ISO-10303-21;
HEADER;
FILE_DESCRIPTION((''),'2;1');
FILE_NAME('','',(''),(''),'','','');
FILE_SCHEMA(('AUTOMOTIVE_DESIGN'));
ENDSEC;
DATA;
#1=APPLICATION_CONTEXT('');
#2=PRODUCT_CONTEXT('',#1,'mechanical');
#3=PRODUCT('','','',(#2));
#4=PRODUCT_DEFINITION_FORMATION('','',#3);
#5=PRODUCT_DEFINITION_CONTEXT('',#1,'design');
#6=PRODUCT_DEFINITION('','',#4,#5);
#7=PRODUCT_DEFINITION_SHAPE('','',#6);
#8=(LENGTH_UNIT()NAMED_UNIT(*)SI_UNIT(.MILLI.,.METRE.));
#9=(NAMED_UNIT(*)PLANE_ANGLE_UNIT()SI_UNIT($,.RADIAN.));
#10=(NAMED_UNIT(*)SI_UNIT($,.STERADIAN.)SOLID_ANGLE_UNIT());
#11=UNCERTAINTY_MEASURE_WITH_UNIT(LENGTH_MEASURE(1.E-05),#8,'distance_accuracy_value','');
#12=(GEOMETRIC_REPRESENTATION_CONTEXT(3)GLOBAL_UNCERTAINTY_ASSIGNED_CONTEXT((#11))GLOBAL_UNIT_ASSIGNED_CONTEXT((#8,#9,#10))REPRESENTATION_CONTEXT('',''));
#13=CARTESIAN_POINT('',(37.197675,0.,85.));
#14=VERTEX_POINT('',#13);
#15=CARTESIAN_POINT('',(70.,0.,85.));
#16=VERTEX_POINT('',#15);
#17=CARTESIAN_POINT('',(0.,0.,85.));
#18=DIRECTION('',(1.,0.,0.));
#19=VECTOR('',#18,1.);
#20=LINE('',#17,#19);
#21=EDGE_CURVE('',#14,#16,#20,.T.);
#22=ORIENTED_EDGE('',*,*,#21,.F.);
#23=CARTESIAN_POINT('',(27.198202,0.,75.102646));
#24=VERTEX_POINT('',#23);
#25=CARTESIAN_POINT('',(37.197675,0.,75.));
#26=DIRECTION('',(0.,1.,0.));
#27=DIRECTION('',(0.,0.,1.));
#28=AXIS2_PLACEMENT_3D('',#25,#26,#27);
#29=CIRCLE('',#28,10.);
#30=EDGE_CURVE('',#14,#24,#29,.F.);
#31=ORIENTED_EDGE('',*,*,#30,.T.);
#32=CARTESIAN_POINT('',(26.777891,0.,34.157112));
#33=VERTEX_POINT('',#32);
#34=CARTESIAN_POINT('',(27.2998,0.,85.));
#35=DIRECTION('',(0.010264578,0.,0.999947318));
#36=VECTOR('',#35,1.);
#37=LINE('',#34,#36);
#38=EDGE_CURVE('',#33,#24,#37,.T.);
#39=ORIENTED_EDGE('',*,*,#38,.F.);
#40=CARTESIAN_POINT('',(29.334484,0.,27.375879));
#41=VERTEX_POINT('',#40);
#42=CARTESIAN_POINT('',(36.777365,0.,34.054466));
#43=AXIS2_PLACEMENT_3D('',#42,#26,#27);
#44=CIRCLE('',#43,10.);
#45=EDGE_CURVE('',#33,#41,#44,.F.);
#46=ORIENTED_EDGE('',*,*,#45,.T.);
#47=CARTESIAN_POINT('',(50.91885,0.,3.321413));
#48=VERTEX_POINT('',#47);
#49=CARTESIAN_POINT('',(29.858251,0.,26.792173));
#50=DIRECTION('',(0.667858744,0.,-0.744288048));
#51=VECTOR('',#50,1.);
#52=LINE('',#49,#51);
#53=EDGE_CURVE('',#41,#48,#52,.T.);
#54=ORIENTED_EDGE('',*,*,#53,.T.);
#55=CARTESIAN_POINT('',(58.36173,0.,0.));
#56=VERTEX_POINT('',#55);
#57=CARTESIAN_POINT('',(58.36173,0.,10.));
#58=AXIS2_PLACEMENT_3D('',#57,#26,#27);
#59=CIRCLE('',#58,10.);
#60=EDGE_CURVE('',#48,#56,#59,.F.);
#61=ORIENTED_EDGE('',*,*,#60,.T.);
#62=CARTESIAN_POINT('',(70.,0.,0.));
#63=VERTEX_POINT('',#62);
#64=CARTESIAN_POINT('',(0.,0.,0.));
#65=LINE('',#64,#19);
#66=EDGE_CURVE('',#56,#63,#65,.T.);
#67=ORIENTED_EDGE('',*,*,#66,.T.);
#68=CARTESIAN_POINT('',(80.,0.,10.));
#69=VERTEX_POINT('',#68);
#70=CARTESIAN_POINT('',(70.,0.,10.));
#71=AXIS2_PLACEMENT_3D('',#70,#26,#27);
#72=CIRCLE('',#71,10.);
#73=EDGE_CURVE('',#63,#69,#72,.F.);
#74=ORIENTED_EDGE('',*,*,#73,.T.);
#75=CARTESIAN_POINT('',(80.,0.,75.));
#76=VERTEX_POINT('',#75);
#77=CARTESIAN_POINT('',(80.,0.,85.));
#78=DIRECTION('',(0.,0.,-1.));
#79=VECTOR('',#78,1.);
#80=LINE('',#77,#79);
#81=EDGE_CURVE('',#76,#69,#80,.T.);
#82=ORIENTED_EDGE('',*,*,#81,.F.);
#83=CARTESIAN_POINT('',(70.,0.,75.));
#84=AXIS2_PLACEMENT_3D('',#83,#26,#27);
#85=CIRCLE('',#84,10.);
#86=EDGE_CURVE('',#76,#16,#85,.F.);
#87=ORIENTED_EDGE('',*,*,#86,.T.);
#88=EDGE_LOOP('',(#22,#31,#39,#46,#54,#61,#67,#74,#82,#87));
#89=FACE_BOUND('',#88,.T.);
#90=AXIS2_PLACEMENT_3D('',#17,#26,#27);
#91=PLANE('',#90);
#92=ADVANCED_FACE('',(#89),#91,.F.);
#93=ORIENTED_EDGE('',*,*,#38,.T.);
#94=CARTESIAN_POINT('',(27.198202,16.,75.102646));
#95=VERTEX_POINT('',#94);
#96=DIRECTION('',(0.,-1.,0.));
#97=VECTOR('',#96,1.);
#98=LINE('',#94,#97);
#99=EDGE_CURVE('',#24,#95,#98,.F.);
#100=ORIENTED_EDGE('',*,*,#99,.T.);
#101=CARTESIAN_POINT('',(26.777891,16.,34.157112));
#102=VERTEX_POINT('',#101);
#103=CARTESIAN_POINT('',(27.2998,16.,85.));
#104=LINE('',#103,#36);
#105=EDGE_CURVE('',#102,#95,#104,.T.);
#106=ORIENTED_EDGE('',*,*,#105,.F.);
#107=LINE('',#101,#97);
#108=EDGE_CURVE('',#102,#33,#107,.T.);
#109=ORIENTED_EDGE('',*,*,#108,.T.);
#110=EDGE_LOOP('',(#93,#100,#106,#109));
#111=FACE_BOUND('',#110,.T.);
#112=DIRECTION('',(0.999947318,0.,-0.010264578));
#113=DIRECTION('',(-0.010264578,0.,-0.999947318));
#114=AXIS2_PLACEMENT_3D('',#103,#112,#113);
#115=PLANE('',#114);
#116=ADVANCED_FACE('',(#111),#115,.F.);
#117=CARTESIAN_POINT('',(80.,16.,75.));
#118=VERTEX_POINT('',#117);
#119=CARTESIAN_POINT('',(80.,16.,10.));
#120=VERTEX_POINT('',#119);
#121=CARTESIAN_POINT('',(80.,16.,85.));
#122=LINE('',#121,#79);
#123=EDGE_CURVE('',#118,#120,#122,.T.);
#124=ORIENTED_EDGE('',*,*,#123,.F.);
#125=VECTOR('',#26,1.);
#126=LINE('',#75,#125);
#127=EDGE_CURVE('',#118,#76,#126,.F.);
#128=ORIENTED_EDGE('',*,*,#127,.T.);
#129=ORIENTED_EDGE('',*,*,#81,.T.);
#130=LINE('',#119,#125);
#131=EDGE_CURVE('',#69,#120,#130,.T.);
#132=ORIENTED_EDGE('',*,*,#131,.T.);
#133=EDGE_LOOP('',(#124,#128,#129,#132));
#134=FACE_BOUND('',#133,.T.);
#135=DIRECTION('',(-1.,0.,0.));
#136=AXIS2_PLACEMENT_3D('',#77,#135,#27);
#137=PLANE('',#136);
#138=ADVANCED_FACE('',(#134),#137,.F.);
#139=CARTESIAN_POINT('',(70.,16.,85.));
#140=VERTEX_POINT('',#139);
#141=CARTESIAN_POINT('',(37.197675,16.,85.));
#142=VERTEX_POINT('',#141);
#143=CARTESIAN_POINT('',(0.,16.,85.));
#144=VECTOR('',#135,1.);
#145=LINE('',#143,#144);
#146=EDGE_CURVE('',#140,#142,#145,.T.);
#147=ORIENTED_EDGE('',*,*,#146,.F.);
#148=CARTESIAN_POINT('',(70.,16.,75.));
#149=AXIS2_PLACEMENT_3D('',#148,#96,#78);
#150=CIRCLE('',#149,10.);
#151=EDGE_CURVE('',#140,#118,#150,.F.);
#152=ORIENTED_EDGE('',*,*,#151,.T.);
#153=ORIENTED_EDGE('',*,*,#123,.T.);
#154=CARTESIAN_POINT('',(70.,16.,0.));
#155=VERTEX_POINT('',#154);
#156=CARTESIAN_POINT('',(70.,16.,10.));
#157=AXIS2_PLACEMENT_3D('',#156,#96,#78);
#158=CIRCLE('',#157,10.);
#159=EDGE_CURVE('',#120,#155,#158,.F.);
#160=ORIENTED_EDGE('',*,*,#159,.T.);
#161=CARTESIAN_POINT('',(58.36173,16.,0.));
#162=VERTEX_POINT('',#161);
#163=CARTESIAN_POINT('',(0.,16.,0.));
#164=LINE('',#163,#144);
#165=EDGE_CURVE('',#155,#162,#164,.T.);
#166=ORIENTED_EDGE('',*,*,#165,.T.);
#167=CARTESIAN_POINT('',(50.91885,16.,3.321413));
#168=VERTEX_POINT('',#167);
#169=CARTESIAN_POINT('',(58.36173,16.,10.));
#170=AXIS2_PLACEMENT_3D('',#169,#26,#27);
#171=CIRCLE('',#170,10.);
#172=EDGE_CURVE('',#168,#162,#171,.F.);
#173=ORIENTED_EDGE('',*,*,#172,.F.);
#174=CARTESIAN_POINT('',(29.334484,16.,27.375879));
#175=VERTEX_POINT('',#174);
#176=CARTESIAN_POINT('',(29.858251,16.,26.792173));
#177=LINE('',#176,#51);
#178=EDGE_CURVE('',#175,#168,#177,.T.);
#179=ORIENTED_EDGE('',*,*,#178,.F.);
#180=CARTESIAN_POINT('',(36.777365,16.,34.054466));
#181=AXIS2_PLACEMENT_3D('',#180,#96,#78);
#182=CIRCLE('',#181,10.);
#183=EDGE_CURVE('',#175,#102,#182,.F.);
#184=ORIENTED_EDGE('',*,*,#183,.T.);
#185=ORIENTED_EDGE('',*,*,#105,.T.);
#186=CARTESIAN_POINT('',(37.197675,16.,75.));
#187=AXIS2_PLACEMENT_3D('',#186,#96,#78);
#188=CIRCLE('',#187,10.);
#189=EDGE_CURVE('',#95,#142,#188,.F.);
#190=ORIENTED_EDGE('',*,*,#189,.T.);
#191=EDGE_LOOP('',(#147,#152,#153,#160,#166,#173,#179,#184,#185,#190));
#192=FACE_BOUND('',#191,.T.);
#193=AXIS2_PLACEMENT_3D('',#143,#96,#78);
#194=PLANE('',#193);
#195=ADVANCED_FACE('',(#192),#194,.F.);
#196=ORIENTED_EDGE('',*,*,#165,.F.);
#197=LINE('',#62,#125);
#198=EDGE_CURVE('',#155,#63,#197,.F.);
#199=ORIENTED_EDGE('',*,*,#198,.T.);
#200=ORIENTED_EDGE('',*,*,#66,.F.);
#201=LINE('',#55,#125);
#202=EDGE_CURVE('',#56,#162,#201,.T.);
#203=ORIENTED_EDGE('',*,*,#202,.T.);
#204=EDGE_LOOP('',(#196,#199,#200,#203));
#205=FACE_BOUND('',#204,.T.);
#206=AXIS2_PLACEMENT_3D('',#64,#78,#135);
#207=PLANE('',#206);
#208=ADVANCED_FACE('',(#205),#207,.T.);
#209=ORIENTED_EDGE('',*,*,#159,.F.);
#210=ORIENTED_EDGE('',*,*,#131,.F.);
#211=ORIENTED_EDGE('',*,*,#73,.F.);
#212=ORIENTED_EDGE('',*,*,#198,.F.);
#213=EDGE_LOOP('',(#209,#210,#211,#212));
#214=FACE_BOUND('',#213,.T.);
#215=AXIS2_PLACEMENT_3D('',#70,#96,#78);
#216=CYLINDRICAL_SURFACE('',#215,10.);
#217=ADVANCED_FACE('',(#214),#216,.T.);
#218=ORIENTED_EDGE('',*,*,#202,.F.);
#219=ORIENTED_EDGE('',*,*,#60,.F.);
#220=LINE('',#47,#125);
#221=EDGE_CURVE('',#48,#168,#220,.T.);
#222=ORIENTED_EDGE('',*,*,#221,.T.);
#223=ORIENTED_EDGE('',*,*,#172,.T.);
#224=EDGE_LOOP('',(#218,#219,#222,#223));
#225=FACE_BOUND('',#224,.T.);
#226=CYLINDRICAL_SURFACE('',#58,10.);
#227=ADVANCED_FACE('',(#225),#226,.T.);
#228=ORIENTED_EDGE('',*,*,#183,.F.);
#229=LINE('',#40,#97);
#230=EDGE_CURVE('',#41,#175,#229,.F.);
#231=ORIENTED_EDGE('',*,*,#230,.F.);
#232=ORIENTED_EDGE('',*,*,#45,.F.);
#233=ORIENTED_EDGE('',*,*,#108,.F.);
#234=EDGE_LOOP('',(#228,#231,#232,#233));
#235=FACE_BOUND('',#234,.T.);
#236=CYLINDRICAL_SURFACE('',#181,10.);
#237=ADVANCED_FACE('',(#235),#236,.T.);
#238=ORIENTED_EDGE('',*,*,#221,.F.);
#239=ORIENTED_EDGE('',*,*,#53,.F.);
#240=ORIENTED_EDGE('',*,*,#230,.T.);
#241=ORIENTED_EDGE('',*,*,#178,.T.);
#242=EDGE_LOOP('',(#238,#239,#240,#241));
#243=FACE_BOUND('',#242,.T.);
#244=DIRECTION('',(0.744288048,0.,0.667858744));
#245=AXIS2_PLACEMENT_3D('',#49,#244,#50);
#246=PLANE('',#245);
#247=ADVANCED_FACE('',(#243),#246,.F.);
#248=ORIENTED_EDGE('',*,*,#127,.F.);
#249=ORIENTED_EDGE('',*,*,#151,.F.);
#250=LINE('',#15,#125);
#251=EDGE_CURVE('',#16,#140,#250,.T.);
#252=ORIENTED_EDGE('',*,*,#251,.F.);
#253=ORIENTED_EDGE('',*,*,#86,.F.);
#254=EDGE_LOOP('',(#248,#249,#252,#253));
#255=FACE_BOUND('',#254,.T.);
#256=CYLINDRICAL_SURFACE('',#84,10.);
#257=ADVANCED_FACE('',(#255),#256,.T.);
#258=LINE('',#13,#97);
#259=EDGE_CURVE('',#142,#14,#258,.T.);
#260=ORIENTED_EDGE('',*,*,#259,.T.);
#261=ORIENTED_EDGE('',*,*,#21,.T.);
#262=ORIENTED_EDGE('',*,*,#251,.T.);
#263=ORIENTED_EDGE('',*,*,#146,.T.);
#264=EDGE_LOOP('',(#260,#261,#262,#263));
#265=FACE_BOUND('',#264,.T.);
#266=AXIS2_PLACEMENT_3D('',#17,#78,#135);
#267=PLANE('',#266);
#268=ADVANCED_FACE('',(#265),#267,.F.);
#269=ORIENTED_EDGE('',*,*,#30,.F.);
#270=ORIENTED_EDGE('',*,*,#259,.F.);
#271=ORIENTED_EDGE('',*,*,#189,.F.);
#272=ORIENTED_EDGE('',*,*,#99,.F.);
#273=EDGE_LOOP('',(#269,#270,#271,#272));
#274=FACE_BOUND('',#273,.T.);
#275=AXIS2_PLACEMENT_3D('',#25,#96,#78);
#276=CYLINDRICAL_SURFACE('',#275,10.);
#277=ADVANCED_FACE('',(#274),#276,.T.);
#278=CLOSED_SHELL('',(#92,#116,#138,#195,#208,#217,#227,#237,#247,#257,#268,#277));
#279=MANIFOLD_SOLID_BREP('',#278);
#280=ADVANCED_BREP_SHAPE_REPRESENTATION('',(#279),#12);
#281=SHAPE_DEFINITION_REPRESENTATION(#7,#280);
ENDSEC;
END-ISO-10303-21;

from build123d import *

# Parameters (mm, degrees)
ESQUISSE1_W             = 80
ESQUISSE1_H             = 16
BOSS_EXTRU_1_DEPTH      = 85
ENL_V_MAT_EXTRU_1_DEPTH = 118.817655723
CONG_1_R                = 10
ENL_V_MAT_EXTRU_2_DEPTH = 118.817655723
CONG_2_R                = 10


with BuildPart() as part:
    # Esquisse1 → Boss.-Extru.1 (new body)
    with BuildSketch(Plane.XY):
        with Locations((40, 8)):
            Rectangle(ESQUISSE1_W, ESQUISSE1_H)
    extrude(amount=BOSS_EXTRU_1_DEPTH)

    # Esquisse4 → Enlèv. mat.-Extru.1 (cut, through all)
    with BuildSketch(Plane(origin=(0, 16, 0), x_dir=(1, 0, 0), z_dir=(0, 1, 0))):
        with BuildLine():
            Line((0, 0), (0, -60.067381304))
            Line((0, -60.067381304), (50.91884997, -3.321412558))
            ThreePointArc((50.91884997, -3.321412558), (54.286554034, -0.868026653), (58.361730446, 0))
            Line((58.361730446, 0), (0, 0))
        make_face()
    extrude(amount=-ENL_V_MAT_EXTRU_1_DEPTH, mode=Mode.SUBTRACT)

    # Congé1
    cong_1_edges = [part.edges().sort_by_distance(p)[0] for p in [
        (0, 8, 60.067381304),
    ]]
    fillet(cong_1_edges, radius=CONG_1_R)

    # Esquisse5 → Enlèv. mat.-Extru.2 (cut, through all)
    with BuildSketch(Plane(origin=(0, 0, 0), x_dir=(-1, 0, 0), z_dir=(0, -1, 0))):
        Polygon((-27.29979965, -85), (-26.737984747, -30.269519654), (25.961948545, -37.418966658), (23.023106213, -85), align=None)
    extrude(amount=-ENL_V_MAT_EXTRU_2_DEPTH, mode=Mode.SUBTRACT)

    # Congé2
    cong_2_edges = [part.edges().sort_by_distance(p)[0] for p in [
        (80, 8, 85),
        (27.29979965, 8, 85),
        (26.737984747, 8, 30.269519654),
        (80, 8, 0),
    ]]
    fillet(cong_2_edges, radius=CONG_2_R)


solid = part.part
